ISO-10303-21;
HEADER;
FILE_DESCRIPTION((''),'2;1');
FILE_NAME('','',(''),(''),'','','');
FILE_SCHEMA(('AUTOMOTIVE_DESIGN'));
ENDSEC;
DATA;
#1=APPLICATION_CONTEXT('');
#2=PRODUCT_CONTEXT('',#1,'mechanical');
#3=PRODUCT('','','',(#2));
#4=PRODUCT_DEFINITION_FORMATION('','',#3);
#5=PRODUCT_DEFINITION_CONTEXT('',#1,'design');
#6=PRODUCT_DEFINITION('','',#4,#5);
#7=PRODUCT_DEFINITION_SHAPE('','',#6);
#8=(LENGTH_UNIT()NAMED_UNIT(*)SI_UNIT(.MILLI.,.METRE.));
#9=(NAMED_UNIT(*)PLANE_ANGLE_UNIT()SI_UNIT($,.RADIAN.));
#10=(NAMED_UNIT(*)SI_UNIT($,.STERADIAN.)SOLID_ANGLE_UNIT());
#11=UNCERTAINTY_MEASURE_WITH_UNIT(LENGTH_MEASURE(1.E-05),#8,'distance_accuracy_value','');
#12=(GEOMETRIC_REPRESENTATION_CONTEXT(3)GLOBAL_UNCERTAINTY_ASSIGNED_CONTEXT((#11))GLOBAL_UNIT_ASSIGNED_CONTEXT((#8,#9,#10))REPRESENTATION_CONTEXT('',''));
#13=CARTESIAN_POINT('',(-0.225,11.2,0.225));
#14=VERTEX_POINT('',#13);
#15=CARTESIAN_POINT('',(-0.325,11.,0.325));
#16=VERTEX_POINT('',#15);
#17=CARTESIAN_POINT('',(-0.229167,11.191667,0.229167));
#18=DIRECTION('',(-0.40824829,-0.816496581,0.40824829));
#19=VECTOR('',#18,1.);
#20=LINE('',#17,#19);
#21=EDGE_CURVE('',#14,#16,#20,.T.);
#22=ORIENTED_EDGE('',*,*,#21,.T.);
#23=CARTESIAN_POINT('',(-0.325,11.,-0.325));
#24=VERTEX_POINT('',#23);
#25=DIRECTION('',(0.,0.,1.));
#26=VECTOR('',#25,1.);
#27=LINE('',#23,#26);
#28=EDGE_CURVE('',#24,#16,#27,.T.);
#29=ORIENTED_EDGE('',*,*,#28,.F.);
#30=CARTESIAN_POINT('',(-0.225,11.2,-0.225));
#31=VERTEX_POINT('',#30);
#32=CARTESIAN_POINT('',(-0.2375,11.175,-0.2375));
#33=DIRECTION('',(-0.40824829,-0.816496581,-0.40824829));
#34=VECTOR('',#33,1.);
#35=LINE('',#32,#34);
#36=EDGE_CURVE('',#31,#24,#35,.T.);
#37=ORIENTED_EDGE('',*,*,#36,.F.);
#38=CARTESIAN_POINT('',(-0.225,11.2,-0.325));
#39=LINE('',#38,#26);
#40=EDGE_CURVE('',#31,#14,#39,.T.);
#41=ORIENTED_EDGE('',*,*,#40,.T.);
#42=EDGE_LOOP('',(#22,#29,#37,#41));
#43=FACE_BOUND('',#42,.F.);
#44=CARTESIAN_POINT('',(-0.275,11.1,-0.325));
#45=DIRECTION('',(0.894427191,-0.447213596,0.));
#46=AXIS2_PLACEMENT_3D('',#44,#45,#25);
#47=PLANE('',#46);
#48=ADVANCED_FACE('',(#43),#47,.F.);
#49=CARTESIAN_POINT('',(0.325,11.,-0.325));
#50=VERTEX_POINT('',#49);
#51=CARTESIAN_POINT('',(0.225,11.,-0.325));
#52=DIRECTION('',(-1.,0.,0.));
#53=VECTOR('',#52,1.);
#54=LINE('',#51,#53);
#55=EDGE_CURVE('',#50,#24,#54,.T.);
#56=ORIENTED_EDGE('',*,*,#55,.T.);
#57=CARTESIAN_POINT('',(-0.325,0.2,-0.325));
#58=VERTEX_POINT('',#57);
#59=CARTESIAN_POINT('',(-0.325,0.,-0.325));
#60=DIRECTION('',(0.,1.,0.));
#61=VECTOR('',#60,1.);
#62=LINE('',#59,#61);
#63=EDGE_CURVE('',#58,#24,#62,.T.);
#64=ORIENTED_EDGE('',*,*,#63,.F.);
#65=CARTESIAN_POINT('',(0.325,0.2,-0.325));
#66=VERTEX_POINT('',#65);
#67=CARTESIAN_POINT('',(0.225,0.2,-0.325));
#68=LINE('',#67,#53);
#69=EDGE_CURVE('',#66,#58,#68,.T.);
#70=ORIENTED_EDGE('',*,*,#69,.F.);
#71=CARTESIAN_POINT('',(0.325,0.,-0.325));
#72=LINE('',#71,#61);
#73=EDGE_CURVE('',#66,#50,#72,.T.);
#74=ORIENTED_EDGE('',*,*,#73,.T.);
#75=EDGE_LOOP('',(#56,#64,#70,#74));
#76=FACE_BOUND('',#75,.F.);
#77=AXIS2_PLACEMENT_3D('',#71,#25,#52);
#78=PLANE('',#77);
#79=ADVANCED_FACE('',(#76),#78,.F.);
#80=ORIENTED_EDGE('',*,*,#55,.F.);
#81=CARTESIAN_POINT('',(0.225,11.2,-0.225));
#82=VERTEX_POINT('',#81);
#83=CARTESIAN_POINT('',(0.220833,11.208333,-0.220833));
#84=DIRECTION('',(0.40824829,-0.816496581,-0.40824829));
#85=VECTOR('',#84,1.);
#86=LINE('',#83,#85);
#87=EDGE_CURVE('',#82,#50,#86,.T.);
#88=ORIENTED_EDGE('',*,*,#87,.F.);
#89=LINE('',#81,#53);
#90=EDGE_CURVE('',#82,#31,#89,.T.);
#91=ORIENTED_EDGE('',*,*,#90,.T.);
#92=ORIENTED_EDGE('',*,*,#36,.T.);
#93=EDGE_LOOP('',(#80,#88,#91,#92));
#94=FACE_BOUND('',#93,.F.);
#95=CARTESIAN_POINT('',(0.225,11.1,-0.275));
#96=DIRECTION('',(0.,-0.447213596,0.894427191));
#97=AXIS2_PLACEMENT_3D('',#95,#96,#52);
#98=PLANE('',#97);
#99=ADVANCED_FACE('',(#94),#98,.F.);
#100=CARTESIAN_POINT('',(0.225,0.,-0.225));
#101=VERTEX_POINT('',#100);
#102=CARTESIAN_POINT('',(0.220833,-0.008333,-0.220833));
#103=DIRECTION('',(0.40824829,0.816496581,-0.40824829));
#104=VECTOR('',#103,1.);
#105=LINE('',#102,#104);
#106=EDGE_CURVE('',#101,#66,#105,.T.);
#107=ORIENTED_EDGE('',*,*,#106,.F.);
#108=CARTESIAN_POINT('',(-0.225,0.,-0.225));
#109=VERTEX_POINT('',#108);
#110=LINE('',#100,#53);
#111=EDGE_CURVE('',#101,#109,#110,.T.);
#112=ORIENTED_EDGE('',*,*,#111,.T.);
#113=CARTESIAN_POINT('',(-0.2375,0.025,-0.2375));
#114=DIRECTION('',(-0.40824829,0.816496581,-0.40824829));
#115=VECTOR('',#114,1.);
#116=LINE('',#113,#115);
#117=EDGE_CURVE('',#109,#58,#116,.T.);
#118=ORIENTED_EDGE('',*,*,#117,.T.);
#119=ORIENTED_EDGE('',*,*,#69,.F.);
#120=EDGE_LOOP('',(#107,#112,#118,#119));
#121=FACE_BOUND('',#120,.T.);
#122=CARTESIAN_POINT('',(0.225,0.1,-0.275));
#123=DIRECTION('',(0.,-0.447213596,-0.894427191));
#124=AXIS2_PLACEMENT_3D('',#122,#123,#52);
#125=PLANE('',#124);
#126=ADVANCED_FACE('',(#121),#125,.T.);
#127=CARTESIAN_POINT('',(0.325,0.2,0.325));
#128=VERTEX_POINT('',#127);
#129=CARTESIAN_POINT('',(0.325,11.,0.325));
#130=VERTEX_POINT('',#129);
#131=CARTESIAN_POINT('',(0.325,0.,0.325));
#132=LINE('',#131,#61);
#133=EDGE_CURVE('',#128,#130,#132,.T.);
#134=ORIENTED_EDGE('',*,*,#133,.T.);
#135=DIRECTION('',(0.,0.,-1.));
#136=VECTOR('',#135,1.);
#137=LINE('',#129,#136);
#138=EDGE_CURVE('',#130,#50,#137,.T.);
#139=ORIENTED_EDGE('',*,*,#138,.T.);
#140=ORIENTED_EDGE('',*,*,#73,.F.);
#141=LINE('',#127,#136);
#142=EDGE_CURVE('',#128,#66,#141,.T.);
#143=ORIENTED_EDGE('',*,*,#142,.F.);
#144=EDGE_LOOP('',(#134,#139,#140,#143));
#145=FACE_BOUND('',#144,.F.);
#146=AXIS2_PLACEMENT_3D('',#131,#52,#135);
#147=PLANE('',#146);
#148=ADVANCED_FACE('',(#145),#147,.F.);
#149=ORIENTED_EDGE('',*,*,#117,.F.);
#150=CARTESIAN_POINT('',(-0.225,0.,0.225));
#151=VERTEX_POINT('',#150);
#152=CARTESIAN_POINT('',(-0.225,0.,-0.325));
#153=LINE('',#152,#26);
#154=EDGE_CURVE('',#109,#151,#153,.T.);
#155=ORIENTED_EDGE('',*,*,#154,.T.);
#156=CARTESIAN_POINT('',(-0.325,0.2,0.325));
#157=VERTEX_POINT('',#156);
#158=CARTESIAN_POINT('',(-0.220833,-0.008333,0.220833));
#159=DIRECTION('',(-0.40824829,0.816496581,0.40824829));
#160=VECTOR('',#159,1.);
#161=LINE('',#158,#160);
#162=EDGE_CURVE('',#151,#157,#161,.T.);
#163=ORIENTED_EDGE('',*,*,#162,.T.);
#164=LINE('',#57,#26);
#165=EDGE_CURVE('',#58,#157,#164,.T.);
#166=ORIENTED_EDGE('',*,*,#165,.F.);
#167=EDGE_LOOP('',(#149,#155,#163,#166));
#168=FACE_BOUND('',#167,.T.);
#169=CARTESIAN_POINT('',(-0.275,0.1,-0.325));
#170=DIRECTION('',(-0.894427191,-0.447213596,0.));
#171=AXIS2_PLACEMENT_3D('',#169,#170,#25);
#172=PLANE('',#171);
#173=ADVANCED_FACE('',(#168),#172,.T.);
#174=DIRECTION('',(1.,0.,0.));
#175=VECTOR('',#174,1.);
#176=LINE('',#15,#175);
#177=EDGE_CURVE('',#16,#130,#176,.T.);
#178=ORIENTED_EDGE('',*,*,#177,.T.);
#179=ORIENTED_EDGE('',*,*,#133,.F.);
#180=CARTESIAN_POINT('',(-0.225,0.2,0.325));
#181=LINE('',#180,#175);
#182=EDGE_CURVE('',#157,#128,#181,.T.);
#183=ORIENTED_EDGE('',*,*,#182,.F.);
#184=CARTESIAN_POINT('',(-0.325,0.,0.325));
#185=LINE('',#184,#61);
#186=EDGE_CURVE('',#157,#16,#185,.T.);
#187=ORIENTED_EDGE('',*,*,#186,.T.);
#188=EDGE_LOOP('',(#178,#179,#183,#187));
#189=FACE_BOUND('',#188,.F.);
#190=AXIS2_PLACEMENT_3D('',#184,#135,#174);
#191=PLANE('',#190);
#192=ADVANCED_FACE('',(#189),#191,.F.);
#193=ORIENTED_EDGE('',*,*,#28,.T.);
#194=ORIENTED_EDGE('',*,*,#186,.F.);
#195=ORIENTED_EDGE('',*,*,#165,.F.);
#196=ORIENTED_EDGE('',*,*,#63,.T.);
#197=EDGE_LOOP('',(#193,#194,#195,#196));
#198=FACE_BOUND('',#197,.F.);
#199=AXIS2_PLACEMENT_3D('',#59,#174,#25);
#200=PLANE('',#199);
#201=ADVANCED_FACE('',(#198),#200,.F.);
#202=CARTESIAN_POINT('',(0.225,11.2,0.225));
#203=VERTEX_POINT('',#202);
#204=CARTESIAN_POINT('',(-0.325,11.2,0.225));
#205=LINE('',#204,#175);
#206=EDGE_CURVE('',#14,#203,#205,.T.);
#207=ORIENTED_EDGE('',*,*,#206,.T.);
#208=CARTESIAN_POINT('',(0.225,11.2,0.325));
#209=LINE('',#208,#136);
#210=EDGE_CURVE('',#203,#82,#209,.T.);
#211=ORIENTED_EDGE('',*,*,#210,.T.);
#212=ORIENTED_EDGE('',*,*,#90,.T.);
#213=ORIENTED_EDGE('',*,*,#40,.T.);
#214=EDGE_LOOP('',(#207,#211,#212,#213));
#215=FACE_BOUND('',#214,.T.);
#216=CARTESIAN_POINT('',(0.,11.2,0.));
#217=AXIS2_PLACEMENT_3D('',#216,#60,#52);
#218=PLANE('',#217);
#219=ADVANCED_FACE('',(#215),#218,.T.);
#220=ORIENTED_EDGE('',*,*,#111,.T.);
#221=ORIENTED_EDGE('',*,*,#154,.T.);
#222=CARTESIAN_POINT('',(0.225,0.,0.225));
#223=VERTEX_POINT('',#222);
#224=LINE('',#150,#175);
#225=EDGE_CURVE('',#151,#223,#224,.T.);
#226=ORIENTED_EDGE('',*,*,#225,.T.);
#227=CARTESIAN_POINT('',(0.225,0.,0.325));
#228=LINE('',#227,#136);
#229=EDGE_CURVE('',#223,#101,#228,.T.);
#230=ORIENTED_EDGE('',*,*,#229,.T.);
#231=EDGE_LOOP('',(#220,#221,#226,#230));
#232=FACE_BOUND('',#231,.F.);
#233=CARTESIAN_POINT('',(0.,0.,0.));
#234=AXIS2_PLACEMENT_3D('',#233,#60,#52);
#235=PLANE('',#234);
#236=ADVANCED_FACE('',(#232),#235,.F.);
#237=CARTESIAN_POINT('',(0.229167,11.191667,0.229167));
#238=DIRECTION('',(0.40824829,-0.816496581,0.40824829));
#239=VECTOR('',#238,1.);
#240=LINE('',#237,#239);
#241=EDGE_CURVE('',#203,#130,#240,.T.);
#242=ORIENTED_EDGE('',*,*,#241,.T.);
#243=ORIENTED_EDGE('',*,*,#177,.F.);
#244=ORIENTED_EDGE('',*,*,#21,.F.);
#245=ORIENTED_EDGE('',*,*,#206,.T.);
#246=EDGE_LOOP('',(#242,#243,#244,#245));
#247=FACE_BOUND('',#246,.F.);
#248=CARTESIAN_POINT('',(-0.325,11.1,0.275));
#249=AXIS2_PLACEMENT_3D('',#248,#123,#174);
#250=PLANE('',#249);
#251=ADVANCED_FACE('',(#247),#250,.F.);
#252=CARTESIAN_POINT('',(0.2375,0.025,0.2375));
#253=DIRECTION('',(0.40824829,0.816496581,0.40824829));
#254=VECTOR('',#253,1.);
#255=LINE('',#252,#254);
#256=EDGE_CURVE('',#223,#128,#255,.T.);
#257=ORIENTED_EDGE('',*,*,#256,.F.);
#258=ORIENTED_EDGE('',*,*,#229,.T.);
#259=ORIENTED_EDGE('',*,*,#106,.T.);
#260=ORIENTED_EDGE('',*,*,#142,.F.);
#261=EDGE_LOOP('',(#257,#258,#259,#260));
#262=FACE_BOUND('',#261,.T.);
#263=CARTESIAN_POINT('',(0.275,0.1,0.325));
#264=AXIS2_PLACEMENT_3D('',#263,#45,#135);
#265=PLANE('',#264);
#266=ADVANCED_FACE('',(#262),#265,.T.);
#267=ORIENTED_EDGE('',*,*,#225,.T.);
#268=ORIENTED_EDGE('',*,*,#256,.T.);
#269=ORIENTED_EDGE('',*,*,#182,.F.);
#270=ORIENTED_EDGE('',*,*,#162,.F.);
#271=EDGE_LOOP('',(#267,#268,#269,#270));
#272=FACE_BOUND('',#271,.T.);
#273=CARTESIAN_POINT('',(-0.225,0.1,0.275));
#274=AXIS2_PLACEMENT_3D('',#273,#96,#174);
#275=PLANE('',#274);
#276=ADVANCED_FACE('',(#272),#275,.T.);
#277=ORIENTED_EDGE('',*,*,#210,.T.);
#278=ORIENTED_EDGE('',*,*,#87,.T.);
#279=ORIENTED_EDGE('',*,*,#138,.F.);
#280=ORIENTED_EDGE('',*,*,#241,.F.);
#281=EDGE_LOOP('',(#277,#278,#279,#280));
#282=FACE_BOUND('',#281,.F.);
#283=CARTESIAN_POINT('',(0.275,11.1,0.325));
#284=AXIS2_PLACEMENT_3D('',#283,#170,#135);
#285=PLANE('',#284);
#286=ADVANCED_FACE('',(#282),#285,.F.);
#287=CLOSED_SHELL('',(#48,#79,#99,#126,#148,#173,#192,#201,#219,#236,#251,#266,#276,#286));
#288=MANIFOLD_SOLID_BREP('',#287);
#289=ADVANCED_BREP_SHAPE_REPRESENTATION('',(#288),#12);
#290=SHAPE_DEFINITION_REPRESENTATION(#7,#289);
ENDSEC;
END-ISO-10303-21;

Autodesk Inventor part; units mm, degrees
ref_plane "YZ Plane" through (0, 0, 0) normal (1, 0, 0) x (0, 1, 0)
ref_plane "XZ Plane" through (0, 0, 0) normal (0, 1, 0) x (-1, 0, 0)
ref_plane "XY Plane" through (0, 0, 0) normal (0, 0, 1) x (1, 0, 0)
sketch "Sketch1" plane through (0, 0, 0) normal (0, 1, 0) x (-1, 0, 0)
  line L0 (0.325, 0.325) -> (-0.325, 0.325)
  line L1 (-0.325, 0.325) -> (-0.325, -0.325)
  line L2 (-0.325, -0.325) -> (0.325, -0.325)
  line L3 (0.325, -0.325) -> (0.325, 0.325)
  point P0 (0, 0)
  point P1 (0, -0.325)
  point P2 (-0.325, 0)
  dimension "d0" = 0.65
  dimension "d1" = 0.65
extrude "Extrusion1" add sketch "Sketch1" along normal blind 11.2
chamfer "Chamfer1" distance 0.1 distance2 0.2 1 edges at (0.325, 0, 0) measured on face at (0.1083, 0, 0.1083)
chamfer "Chamfer2" distance 0.1 distance2 0.2 1 edges at (-0.325, 0, 0) measured on face at (0.0417, 0, 0.1083)
chamfer "Chamfer3" distance 0.1 distance2 0.2 1 edges at (0, 0, 0.325) measured on face at (0.075, 0, 0.1083)
chamfer "Chamfer4" distance 0.1 distance2 0.2 1 edges at (0, 0, -0.325) measured on face at (0.075, 0, 0.0417)
chamfer "Chamfer5" distance 0.1 distance2 0.2 1 edges at (0.325, 11.2, 0) measured on face at (0.1083, 11.2, 0.1083)
chamfer "Chamfer6" distance 0.1 distance2 0.2 1 edges at (-0.05, 11.2, 0.325) measured on face at (0.0417, 11.2, 0.1083)
chamfer "Chamfer7" distance 0.1 distance2 0.2 1 edges at (-0.325, 11.2, -0.05) measured on face at (-0.1417, 11.2, -0.1417)
chamfer "Chamfer8" distance 0.1 distance2 0.2 1 edges at (0, 11.2, -0.325) measured on face at (-0.075, 11.2, -0.1417)
equation "\"d1\" = d0"
properties part number "Pin male header straight - single" material "Brass, Soft Yellow"
